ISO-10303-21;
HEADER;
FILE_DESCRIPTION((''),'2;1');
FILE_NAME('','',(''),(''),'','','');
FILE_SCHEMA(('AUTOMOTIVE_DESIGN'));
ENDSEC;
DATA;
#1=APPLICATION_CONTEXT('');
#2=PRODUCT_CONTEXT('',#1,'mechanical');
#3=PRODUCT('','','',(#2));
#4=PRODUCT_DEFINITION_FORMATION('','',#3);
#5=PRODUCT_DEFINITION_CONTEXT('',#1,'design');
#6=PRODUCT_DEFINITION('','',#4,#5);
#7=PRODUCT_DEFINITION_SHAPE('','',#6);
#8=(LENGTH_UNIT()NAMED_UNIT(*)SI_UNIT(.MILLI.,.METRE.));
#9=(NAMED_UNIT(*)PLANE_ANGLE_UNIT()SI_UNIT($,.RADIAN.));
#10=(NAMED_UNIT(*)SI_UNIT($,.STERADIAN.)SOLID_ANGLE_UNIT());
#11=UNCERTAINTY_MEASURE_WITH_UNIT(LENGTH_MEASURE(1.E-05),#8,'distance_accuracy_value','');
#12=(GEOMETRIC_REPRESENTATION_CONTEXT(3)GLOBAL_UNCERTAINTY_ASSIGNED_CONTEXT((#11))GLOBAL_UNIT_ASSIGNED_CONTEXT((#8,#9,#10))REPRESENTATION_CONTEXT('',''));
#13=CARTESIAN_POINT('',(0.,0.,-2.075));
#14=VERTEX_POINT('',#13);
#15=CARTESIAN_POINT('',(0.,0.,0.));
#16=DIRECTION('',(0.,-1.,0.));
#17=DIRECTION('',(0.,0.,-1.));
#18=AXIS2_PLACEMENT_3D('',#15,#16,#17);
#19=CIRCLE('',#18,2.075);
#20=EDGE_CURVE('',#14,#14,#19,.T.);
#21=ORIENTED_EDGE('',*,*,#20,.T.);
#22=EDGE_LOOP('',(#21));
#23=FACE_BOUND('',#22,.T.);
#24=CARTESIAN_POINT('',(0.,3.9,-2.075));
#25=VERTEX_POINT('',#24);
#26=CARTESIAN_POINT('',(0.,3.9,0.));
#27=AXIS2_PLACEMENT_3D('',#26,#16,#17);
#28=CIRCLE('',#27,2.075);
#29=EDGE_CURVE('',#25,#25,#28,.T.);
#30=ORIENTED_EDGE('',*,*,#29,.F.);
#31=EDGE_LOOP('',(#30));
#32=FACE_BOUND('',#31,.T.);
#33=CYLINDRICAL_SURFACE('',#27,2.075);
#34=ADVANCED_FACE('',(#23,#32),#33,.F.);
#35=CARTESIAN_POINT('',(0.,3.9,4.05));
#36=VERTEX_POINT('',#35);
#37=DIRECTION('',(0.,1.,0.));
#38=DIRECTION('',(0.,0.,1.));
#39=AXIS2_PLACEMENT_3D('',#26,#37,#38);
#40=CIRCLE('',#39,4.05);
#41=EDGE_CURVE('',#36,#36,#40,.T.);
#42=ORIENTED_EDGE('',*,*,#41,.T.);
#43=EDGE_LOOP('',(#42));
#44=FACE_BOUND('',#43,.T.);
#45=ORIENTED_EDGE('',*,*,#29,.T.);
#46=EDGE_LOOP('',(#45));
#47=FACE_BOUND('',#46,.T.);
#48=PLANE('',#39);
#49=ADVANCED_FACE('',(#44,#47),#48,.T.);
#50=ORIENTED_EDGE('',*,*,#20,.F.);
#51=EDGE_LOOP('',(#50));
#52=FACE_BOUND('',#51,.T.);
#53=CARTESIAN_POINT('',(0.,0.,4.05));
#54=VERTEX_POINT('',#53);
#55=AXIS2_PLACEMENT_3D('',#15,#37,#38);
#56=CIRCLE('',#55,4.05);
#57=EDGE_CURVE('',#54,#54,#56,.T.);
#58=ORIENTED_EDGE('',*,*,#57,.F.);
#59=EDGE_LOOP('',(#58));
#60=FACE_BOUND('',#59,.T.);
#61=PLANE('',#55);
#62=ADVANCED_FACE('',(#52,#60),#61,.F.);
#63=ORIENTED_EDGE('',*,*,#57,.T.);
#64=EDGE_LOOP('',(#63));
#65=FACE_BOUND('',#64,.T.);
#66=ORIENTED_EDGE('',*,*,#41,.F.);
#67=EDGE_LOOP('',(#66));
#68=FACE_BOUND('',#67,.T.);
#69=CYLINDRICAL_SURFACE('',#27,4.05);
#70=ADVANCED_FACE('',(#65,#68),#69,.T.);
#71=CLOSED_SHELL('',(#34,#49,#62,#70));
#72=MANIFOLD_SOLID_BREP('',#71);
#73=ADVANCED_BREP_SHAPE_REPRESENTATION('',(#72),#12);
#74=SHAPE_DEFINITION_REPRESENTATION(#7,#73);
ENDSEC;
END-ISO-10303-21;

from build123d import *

# Parameters (mm, degrees)
SKIZZE2_R                       = 4.05
AUFSATZ_LINEAR_AUSTRAGEN1_DEPTH = 3.9
SKIZZE3_R                       = 2.075
SCHNITT_LINEAR_AUSTRAGEN1_DEPTH = 3.9


with BuildPart() as part:
    # Skizze2 → Aufsatz-Linear austragen1 (new body)
    with BuildSketch(Plane(origin=(0, 0, 0), x_dir=(1, 0, 0), z_dir=(0, 1, 0))):
        with Locations(Location((0, 0, 0), (0, 0, 270))):
            Circle(SKIZZE2_R)
    extrude(amount=AUFSATZ_LINEAR_AUSTRAGEN1_DEPTH)

    # Skizze3 → Schnitt-Linear austragen1 (cut)
    with BuildSketch(Plane.XZ):
        with Locations(Location((0, 0, 0), (0, 0, 270))):
            Circle(SKIZZE3_R)
    extrude(amount=-SCHNITT_LINEAR_AUSTRAGEN1_DEPTH, mode=Mode.SUBTRACT)


solid = part.part
